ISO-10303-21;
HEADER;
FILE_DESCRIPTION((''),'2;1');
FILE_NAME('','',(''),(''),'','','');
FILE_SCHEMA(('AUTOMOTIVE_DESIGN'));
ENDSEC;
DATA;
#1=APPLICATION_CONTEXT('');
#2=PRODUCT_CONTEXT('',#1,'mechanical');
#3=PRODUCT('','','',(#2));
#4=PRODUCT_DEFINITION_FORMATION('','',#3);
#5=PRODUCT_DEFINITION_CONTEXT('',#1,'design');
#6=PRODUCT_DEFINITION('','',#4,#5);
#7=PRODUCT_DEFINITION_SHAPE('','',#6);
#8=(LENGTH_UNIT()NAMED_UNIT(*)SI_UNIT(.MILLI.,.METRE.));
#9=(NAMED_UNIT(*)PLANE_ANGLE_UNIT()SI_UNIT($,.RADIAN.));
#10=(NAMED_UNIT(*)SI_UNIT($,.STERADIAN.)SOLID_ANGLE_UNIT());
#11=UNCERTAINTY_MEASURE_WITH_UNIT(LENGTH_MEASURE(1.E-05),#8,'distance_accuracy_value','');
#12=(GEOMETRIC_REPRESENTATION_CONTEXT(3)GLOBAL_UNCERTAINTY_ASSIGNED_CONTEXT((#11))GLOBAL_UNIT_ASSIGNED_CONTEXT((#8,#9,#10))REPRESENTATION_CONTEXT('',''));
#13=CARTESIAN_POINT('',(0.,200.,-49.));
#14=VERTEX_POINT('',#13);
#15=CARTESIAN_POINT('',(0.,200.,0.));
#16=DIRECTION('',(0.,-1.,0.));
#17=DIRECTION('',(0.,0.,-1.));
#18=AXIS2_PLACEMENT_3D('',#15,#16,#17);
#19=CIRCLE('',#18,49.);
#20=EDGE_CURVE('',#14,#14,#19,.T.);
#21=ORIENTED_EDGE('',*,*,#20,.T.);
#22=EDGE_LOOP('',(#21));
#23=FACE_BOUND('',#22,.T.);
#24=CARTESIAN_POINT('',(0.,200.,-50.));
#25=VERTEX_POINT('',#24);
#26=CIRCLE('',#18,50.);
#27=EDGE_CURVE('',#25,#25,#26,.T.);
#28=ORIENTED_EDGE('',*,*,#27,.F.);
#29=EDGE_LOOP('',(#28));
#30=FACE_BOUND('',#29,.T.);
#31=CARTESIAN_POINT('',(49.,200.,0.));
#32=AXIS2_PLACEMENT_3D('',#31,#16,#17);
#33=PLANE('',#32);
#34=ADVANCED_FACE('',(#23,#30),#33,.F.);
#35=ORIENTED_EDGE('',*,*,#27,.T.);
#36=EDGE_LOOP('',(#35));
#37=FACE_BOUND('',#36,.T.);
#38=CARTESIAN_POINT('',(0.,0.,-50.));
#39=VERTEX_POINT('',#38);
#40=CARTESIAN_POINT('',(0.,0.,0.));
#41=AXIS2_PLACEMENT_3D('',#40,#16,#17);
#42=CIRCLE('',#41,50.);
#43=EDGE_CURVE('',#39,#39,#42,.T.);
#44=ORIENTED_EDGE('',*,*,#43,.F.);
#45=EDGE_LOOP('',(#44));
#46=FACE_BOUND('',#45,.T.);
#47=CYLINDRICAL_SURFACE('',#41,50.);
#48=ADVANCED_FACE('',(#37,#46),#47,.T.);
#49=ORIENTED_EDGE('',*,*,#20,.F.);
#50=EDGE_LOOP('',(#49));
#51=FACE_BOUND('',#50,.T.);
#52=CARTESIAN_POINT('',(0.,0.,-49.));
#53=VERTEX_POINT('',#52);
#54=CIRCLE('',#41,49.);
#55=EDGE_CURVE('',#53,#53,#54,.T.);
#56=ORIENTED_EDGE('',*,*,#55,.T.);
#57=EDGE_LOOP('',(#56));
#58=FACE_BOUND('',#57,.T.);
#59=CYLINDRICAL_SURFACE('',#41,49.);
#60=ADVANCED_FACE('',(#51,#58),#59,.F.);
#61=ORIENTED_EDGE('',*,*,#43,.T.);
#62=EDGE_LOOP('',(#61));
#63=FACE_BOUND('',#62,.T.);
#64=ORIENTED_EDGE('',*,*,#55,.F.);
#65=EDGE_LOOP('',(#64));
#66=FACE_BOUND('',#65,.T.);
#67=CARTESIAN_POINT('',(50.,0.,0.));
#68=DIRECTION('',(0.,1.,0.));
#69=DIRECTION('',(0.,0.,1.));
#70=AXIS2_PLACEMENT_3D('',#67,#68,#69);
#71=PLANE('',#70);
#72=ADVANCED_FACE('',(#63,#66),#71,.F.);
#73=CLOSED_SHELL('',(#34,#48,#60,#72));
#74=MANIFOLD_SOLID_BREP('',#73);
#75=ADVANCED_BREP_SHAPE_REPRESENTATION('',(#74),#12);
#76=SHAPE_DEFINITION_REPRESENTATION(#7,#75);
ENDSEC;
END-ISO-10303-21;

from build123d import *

# Parameters (mm, degrees)
SKETCH3_W = 1
SKETCH3_H = 200


with BuildPart() as part:
    # Sketch3 → Revolve-Thin5 (revolve)
    with BuildSketch(Plane.XY):
        with Locations((49.5, 100)):
            Rectangle(SKETCH3_W, SKETCH3_H)
    revolve(axis=Axis((0, 0, 0), (0, 1, 0)))


solid = part.part
